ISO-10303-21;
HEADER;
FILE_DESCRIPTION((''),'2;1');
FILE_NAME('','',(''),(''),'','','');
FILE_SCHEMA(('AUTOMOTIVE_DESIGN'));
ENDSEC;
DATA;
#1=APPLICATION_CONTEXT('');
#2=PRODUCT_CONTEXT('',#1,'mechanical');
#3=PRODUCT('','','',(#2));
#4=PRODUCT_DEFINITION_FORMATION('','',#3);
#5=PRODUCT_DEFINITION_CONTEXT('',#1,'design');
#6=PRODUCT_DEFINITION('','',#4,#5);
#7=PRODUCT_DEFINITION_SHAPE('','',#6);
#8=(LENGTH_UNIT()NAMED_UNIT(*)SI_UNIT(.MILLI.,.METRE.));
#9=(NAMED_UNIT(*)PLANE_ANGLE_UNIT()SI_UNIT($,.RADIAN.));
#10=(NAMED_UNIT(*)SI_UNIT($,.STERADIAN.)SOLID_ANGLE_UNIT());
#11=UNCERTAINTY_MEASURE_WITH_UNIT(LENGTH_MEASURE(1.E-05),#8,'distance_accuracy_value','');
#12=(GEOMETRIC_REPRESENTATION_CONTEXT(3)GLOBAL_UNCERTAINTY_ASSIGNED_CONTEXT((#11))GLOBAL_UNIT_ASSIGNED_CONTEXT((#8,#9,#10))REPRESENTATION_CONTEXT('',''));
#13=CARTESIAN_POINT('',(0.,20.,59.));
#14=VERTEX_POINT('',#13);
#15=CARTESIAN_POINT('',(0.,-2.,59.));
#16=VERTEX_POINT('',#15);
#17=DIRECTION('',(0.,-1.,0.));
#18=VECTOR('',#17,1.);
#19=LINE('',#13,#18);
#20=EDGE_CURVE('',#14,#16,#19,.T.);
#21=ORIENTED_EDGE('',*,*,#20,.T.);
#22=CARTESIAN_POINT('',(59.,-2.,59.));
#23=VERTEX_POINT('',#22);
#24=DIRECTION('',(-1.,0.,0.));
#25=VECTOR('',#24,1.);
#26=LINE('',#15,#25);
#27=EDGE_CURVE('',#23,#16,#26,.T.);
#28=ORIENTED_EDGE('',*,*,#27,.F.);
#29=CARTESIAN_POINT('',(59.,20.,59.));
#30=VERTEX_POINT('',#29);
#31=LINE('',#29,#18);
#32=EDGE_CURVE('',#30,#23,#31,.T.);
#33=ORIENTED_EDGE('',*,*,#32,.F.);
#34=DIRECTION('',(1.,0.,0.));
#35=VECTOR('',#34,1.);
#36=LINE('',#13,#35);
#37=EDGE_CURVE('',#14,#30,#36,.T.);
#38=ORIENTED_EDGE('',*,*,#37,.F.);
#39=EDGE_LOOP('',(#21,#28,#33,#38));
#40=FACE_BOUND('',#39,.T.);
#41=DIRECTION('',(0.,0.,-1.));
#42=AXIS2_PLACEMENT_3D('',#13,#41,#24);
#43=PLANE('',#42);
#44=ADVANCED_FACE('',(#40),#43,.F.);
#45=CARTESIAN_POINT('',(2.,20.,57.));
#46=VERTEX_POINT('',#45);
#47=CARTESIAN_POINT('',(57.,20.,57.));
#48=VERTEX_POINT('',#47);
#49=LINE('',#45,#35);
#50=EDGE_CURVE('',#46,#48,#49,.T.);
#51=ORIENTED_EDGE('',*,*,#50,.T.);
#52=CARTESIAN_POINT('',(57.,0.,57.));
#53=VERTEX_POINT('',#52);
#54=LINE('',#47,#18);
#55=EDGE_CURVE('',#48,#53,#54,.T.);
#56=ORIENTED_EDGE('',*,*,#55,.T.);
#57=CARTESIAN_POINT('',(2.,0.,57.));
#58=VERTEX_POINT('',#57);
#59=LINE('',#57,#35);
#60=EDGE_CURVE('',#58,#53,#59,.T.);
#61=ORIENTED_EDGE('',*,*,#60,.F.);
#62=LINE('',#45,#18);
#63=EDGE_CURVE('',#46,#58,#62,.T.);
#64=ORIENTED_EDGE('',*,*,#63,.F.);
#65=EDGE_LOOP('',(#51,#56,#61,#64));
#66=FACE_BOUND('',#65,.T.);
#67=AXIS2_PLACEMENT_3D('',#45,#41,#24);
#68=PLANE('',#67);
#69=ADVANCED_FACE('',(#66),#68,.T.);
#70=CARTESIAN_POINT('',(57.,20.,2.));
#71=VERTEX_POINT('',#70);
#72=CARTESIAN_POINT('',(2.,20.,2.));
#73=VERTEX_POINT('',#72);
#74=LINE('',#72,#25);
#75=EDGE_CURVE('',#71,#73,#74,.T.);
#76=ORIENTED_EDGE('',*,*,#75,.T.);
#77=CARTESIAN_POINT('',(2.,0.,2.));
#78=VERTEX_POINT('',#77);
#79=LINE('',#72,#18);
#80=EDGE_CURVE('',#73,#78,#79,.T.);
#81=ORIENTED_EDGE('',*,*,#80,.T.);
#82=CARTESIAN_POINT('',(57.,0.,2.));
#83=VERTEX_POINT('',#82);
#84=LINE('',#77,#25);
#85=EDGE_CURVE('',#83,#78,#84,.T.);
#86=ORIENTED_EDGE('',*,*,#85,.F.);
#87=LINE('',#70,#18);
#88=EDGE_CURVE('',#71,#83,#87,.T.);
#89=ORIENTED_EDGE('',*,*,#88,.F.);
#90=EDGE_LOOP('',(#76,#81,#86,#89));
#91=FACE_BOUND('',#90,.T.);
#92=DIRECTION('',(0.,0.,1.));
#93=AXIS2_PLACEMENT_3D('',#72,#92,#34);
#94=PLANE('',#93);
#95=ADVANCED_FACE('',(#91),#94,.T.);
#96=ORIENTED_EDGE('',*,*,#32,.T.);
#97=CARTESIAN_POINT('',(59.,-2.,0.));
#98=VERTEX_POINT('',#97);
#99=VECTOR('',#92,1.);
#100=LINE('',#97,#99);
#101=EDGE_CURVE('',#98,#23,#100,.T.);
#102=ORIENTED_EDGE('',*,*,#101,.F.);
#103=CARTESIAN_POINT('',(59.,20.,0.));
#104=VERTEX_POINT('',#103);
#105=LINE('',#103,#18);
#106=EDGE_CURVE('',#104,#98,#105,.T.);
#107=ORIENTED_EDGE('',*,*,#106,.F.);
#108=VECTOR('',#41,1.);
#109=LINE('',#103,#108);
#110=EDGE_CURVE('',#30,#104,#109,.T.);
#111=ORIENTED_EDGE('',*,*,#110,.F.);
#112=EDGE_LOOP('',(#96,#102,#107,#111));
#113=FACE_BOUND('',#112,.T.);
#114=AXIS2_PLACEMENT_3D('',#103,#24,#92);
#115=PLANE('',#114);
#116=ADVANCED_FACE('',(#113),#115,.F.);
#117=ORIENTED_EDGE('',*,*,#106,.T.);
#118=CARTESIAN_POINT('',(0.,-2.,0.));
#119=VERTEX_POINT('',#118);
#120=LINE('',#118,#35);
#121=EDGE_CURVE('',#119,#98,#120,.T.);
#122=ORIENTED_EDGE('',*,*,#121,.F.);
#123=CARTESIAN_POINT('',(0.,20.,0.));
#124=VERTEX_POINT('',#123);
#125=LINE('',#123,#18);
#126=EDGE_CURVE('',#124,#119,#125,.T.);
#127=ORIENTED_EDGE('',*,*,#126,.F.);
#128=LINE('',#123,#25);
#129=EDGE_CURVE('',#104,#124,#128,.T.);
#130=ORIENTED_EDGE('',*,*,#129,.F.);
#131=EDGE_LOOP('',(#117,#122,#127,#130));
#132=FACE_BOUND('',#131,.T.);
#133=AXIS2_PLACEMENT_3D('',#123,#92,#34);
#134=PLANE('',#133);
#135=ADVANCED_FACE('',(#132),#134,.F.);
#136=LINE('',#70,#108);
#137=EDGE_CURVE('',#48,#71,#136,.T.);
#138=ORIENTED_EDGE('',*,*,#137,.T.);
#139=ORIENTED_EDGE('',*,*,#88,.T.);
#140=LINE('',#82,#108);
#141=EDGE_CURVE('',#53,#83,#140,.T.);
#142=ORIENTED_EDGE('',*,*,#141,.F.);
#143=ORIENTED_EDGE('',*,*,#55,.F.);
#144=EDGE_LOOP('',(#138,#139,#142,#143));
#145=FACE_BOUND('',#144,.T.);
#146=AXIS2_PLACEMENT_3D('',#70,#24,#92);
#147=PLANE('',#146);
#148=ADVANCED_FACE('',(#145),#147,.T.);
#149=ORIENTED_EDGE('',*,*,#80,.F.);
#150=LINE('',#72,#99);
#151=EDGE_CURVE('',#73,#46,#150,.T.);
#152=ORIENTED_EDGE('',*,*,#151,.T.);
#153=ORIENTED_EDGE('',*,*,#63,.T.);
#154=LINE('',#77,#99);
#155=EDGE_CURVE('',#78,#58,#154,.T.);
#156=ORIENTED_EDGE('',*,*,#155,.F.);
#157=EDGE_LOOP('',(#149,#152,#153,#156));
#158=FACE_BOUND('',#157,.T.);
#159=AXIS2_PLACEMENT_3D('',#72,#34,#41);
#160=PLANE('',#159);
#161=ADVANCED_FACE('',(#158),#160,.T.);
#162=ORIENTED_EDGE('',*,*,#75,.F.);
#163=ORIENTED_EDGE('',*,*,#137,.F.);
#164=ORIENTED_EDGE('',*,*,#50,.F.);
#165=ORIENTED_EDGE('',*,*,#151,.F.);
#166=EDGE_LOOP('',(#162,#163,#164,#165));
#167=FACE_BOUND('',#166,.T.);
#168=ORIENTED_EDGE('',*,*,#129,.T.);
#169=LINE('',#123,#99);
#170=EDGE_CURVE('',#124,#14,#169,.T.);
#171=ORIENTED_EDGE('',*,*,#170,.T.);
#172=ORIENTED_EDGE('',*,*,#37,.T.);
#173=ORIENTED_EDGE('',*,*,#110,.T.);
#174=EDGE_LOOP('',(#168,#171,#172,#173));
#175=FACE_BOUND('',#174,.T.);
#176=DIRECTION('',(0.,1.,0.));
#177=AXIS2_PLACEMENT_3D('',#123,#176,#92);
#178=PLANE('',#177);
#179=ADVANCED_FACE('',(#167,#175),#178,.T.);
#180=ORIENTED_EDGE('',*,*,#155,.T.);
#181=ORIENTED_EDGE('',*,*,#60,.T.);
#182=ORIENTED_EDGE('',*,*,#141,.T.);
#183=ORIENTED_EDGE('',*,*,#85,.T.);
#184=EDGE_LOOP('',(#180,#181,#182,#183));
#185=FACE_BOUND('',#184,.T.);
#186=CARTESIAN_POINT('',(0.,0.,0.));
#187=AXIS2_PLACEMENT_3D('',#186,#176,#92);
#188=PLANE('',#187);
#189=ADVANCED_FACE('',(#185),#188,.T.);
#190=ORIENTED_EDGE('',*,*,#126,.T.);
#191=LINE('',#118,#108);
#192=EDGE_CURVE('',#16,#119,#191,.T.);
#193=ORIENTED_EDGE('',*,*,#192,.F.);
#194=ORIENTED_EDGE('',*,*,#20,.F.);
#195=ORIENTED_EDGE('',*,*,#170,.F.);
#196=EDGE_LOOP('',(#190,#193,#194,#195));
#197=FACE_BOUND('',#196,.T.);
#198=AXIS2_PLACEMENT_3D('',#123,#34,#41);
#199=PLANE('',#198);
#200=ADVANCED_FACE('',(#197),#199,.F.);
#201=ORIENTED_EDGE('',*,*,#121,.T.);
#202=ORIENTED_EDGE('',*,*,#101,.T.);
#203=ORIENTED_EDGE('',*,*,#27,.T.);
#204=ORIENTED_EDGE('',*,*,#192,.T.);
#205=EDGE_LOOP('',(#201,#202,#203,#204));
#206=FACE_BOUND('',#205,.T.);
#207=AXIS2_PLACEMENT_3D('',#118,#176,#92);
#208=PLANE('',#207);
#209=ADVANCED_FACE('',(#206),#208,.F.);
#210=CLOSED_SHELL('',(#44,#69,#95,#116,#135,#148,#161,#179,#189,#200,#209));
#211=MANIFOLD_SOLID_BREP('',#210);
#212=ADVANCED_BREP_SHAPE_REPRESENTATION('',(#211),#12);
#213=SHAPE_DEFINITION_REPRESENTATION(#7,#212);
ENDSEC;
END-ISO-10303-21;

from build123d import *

# Parameters (mm, degrees)
SKETCH1_W           = 59
SKETCH1_H           = 59
SKETCH1_W_2         = 55
SKETCH1_H_2         = 55
BOSS_EXTRUDE1_DEPTH = 20
SKETCH2_W           = 59
SKETCH2_H           = 59
BOSS_EXTRUDE2_DEPTH = 2


with BuildPart() as part:
    # Sketch1 → Boss-Extrude1 (new body)
    with BuildSketch(Plane(origin=(0, 0, 0), x_dir=(1, 0, 0), z_dir=(0, 1, 0))):
        with Locations((29.5, -29.5)):
            Rectangle(SKETCH1_W, SKETCH1_H)
        with Locations((29.5, -29.5)):
            Rectangle(SKETCH1_W_2, SKETCH1_H_2, mode=Mode.SUBTRACT)
    extrude(amount=BOSS_EXTRUDE1_DEPTH)

    # Sketch2 → Boss-Extrude2 (add)
    with BuildSketch(Plane.XZ):
        with Locations((29.5, 29.5)):
            Rectangle(SKETCH2_W, SKETCH2_H)
    extrude(amount=BOSS_EXTRUDE2_DEPTH)


solid = part.part
